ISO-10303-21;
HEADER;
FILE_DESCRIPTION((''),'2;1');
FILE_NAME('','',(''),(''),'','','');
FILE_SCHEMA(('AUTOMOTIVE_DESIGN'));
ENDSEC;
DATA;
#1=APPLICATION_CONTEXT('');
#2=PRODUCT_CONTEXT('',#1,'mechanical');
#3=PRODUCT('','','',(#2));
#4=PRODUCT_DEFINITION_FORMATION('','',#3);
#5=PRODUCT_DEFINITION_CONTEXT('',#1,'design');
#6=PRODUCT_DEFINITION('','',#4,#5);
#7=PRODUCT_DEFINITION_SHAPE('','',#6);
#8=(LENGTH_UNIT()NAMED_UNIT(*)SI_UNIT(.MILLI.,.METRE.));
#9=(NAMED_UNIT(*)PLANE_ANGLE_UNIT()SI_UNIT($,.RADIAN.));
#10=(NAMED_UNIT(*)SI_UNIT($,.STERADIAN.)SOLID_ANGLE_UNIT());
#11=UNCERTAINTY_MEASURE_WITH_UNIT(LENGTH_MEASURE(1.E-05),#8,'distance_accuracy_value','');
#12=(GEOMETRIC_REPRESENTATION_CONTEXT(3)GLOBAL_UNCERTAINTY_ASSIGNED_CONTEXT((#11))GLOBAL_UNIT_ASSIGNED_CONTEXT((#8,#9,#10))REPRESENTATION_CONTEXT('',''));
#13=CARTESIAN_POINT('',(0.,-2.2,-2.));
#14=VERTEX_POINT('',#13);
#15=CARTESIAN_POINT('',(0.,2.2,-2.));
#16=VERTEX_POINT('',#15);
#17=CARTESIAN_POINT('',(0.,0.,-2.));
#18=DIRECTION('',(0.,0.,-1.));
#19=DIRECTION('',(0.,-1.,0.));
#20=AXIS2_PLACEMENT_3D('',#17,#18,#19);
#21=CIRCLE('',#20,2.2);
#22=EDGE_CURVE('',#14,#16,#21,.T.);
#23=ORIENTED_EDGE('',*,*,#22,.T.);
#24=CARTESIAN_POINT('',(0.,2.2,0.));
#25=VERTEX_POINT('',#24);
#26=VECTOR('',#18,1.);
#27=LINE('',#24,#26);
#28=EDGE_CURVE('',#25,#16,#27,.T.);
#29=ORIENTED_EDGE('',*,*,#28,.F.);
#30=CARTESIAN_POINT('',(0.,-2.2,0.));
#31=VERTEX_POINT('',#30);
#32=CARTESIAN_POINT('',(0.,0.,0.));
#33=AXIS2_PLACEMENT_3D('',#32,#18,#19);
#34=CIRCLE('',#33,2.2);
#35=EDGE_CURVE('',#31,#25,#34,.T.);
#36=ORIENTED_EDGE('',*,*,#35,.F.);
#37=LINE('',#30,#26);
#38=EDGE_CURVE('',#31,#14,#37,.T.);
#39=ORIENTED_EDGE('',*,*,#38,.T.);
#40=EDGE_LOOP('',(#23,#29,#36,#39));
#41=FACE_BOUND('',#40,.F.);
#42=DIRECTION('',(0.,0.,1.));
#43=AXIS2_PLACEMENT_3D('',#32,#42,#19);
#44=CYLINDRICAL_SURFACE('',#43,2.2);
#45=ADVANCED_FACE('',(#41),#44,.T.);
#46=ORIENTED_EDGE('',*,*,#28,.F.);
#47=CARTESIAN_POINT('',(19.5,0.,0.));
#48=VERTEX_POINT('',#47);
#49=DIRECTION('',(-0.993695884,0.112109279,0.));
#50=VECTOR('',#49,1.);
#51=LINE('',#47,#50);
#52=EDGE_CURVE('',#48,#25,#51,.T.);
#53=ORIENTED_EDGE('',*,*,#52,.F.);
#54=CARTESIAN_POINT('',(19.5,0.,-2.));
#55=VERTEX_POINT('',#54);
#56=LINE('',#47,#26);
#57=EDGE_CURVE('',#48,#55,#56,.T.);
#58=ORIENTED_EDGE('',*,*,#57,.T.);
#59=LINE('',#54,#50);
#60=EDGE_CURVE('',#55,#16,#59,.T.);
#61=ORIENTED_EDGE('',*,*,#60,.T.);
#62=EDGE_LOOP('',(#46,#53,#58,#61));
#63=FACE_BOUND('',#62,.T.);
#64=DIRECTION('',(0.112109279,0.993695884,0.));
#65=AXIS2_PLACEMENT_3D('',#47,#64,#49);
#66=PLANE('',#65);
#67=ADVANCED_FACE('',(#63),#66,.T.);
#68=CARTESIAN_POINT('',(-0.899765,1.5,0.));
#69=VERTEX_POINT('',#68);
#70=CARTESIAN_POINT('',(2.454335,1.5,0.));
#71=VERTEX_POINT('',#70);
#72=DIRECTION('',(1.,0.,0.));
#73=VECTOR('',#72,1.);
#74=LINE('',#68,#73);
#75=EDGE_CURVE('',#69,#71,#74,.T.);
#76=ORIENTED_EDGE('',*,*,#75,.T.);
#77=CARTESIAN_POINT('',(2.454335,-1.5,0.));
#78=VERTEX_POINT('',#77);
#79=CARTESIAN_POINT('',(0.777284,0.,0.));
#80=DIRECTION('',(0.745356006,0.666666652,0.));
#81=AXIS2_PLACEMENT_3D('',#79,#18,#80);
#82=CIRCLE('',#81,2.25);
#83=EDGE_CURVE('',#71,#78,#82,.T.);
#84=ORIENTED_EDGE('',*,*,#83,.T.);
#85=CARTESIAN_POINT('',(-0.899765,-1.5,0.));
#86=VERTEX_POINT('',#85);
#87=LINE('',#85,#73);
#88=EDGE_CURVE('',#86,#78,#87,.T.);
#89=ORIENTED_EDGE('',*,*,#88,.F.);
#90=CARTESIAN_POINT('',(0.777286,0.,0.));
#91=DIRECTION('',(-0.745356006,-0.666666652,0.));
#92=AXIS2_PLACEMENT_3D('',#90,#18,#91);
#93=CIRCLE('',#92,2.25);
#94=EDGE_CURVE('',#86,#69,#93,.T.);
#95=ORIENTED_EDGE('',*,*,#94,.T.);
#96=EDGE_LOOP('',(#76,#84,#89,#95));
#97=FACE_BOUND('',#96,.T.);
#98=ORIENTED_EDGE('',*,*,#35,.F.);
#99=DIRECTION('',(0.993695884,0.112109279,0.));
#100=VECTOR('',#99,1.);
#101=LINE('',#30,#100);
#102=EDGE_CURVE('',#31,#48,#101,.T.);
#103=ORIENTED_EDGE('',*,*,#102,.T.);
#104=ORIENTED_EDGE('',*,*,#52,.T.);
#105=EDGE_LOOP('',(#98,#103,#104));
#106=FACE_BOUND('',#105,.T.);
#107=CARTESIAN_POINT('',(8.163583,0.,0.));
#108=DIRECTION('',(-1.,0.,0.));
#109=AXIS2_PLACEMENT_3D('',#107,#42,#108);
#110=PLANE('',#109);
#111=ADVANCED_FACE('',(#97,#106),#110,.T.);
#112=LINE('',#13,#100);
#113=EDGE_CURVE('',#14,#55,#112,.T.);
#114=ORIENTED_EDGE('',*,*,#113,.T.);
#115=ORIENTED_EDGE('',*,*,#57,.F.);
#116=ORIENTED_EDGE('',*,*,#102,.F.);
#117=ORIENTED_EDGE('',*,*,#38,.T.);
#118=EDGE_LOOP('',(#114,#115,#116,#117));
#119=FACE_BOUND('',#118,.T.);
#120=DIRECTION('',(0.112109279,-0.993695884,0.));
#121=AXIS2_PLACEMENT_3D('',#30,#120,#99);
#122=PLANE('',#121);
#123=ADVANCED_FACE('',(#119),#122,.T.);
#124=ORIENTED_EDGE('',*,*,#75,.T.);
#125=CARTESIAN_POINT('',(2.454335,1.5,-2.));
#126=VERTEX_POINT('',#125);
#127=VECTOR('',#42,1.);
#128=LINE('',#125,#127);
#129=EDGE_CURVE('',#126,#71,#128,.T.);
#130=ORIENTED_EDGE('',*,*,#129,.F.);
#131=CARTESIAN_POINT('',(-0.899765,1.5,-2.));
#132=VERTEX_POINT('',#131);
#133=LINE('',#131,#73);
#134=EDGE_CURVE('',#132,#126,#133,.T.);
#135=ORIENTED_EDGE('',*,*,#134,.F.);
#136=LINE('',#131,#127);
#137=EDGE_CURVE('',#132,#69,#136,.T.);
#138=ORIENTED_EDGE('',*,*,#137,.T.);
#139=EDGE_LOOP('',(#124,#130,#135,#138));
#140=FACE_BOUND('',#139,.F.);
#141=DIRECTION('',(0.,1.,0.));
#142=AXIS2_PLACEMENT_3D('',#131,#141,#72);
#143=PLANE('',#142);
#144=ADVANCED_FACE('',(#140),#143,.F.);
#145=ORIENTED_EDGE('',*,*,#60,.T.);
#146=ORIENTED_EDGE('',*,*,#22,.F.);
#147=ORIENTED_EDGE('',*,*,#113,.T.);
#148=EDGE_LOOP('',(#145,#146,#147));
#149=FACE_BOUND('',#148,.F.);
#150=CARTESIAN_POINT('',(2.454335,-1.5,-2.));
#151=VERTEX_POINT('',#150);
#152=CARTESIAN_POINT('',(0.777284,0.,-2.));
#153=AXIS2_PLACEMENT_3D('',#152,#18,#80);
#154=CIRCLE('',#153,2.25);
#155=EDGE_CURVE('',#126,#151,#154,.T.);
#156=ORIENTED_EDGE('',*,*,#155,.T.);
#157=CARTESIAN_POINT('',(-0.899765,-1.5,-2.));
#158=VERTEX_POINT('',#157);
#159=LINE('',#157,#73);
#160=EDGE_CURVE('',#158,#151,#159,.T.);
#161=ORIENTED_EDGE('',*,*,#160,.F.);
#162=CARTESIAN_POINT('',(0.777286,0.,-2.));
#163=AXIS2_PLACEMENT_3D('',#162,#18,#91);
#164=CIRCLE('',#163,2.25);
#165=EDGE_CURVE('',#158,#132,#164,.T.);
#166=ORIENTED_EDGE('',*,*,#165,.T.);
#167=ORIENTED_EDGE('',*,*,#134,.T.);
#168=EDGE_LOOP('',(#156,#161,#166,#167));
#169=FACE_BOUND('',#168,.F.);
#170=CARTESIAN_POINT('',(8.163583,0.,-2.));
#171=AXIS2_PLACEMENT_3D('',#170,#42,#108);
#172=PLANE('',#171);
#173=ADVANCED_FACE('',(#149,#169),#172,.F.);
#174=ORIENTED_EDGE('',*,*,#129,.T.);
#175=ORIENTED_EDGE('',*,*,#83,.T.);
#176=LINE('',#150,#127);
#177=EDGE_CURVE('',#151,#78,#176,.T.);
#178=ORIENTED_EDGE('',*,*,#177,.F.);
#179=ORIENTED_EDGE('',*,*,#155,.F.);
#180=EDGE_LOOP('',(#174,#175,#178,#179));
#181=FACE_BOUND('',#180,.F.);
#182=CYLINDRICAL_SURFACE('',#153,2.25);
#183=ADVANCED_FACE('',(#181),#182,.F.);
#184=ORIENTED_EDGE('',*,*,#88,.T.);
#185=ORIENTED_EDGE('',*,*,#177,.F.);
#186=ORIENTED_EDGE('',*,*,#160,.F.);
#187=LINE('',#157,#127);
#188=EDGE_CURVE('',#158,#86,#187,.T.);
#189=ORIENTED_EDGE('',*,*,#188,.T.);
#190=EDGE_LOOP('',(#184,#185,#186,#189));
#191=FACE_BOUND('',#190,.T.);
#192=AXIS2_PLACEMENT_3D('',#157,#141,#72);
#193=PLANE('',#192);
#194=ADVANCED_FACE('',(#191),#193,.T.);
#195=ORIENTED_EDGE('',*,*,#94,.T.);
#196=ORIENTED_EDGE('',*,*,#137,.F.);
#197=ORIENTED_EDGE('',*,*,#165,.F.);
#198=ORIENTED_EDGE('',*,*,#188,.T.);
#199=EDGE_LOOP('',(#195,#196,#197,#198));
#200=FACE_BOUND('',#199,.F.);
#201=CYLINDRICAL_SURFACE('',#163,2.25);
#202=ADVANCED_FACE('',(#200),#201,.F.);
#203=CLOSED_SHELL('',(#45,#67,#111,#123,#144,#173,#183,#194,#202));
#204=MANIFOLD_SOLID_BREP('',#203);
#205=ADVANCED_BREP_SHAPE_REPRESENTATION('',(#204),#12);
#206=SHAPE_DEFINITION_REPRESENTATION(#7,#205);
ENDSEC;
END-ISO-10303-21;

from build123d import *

# Parameters (mm, degrees)
PAD_DEPTH    = 2
POCKET_DEPTH = 2


with BuildPart() as part:
    # Sketch → Pad (new body)
    with BuildSketch(Plane(origin=(0, 0, 0), x_dir=(1, 0, 0), z_dir=(0, 0, -1))):
        with BuildLine():
            Line((0, 2.2), (19.5, 0))
            Line((19.5, 0), (0, -2.2))
            ThreePointArc((0, 2.2), (-2.2, 0), (0, -2.2))
        make_face()
    extrude(amount=PAD_DEPTH)

    # Sketch001 → Pocket (cut)
    with BuildSketch(Plane(origin=(0, 0, -2), x_dir=(1, 0, 0), z_dir=(0, 0, -1))):
        with BuildLine():
            Line((-0.899765, 1.5), (2.454335, 1.5))
            ThreePointArc((2.454335, -1.5), (3.027284, 0), (2.454335, 1.5))
            Line((-0.899765, -1.5), (2.454335, -1.5))
            ThreePointArc((-0.899765, 1.5), (-1.472714, 0), (-0.899765, -1.5))
        make_face()
    extrude(amount=-POCKET_DEPTH, mode=Mode.SUBTRACT)


solid = part.part
